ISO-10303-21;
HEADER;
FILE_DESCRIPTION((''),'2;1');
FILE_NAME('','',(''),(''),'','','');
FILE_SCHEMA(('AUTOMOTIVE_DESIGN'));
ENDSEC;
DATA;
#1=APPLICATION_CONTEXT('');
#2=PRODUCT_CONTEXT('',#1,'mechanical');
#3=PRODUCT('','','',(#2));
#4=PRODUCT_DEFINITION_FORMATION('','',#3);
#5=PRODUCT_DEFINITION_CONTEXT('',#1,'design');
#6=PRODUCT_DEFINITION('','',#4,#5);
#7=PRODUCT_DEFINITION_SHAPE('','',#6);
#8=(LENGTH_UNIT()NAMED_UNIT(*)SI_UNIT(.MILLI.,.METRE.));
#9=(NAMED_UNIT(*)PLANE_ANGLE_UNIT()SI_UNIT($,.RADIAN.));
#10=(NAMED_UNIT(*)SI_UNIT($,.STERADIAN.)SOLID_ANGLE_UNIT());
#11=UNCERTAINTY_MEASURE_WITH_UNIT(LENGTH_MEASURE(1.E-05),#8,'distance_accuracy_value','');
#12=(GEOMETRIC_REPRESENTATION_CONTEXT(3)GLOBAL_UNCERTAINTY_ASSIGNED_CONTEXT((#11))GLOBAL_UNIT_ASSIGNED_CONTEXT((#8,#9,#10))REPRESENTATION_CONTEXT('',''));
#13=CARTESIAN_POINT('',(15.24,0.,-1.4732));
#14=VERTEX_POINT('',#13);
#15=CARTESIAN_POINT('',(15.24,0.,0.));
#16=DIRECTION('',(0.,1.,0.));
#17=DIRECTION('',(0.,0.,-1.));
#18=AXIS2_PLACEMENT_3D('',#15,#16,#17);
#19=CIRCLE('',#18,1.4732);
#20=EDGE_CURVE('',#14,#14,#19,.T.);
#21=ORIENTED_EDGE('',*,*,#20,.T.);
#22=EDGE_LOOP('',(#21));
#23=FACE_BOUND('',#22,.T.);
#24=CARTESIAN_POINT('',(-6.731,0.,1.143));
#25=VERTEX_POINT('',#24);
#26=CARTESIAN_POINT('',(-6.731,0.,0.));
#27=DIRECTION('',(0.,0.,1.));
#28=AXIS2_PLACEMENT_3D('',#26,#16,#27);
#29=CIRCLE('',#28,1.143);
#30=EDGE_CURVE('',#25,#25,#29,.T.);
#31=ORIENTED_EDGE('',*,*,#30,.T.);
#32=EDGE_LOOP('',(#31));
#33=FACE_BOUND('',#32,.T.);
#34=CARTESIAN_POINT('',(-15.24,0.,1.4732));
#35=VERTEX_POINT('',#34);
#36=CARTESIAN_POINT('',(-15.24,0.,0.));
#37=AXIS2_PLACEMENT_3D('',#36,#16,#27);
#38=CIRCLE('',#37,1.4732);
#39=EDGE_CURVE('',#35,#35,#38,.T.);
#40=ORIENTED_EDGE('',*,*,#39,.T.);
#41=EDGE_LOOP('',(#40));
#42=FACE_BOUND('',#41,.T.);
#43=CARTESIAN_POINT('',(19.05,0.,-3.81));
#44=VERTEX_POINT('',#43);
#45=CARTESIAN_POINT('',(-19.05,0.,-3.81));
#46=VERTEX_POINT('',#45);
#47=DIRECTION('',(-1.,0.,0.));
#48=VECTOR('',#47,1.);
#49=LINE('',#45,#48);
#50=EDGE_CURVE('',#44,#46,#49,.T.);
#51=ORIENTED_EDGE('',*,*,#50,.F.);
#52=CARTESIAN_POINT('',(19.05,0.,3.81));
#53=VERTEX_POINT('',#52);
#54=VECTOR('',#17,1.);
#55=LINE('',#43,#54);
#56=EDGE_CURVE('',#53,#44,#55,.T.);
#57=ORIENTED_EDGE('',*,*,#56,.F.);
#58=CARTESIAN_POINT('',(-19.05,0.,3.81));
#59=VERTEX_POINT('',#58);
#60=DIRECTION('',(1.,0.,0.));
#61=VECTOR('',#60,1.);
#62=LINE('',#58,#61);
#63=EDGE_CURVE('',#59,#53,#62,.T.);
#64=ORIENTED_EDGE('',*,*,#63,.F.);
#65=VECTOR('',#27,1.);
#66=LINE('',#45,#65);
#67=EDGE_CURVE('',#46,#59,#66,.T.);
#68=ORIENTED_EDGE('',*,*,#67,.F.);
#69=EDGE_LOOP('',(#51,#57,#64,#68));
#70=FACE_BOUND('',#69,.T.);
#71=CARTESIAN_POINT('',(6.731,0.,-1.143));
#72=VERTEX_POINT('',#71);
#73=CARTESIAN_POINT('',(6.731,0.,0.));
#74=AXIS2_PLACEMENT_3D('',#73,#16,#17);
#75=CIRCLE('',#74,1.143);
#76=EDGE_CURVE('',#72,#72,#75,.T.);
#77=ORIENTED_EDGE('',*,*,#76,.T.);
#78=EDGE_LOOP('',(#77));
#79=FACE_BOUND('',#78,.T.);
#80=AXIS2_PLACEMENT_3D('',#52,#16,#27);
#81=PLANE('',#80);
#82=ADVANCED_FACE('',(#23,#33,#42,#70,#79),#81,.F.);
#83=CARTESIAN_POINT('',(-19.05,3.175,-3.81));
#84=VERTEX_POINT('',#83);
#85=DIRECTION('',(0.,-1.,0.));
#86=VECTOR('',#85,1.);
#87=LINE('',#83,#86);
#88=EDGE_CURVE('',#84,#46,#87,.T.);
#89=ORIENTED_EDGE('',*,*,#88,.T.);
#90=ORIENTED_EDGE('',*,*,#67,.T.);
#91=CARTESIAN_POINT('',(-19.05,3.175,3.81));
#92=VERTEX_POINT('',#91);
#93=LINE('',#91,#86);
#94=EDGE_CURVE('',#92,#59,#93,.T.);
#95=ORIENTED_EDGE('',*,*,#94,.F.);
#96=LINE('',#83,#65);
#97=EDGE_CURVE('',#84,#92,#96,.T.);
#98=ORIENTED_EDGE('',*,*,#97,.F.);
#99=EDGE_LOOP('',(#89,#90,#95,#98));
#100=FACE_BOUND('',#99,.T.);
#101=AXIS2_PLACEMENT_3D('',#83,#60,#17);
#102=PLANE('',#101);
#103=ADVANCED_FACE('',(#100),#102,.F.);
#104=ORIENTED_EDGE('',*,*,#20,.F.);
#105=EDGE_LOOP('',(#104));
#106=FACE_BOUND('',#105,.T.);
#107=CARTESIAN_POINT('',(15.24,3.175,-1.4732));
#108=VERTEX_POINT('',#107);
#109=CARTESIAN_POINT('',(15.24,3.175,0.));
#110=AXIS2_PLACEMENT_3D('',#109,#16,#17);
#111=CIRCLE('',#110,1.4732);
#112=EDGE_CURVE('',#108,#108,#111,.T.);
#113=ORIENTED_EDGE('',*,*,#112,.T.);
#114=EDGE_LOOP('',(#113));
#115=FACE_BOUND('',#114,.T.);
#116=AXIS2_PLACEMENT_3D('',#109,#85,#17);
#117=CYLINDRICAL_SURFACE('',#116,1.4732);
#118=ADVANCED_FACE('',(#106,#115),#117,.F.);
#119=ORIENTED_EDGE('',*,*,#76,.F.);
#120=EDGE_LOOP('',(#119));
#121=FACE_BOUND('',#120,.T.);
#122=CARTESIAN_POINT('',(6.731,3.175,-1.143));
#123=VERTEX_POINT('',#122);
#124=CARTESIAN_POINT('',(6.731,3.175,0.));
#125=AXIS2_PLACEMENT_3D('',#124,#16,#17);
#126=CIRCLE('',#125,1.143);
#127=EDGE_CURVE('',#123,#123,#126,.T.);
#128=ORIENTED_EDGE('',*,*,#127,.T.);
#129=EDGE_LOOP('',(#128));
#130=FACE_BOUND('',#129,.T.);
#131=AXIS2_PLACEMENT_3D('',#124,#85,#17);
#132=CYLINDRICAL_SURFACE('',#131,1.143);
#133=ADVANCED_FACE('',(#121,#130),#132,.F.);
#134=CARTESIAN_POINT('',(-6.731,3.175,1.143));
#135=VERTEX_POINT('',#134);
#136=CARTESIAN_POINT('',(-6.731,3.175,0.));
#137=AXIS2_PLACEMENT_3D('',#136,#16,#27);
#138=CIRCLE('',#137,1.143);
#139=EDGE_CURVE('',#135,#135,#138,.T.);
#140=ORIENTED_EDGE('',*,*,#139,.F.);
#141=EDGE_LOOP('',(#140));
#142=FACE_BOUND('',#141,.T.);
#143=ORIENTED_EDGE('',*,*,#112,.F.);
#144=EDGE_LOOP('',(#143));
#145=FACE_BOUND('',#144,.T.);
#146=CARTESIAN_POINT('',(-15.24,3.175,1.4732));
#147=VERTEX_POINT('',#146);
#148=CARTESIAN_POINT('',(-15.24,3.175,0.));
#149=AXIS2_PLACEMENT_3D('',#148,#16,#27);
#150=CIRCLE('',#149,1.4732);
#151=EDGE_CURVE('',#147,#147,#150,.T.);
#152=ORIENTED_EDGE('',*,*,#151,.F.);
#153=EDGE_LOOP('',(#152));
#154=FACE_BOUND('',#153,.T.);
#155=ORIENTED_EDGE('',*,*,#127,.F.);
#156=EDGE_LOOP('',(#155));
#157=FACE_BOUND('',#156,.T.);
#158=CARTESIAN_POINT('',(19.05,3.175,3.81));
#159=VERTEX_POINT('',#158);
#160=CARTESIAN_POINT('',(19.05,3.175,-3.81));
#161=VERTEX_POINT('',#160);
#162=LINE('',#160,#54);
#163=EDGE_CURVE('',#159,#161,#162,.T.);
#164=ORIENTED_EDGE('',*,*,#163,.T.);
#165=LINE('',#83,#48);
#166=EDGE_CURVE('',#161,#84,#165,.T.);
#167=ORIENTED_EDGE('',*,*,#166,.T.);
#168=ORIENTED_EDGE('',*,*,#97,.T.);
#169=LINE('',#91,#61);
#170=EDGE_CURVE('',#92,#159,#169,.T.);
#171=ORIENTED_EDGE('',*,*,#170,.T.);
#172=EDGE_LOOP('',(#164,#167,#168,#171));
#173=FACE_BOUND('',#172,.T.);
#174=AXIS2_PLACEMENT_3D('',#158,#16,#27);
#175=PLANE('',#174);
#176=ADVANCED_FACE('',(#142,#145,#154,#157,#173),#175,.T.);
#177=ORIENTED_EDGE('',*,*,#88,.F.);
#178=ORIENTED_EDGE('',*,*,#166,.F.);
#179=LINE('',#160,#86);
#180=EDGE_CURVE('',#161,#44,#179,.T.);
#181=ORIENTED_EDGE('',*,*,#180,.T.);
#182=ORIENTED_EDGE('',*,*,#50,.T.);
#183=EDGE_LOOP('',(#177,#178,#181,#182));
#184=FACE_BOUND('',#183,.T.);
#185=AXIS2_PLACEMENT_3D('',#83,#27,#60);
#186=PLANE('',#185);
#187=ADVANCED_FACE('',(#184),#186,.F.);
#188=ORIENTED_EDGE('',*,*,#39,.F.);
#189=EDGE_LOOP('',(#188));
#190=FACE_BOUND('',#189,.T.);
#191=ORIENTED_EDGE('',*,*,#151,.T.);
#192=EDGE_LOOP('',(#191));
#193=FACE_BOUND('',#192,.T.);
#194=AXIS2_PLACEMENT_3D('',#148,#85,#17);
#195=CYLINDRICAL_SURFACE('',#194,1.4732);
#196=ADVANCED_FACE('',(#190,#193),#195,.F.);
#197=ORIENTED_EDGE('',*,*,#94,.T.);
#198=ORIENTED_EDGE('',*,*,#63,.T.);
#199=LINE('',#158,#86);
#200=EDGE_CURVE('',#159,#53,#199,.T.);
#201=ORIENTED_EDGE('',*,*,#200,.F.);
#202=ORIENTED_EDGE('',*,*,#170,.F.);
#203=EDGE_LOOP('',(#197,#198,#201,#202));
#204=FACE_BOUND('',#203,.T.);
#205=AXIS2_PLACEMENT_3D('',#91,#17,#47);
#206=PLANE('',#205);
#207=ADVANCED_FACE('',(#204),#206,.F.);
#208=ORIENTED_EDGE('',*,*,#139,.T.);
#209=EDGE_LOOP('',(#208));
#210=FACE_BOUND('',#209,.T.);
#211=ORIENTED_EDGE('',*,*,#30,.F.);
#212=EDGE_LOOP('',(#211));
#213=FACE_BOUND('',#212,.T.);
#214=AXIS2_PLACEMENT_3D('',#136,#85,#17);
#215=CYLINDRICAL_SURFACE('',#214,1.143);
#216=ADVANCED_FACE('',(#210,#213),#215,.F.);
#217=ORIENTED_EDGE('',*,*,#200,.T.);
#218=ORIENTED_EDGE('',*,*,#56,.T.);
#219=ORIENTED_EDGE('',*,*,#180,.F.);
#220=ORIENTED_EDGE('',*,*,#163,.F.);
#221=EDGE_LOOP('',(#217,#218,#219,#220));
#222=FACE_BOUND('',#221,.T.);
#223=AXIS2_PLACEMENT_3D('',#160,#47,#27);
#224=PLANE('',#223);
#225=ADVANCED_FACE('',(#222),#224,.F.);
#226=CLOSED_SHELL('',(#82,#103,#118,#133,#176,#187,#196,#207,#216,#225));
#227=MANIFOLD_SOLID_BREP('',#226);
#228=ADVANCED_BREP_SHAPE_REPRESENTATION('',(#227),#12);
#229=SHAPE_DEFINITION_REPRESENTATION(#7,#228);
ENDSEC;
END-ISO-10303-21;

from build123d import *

# Parameters (mm, degrees)
SKETCH1_W           = 38.1
SKETCH1_H           = 7.62
SKETCH1_R           = 1.4732
SKETCH1_R_2         = 1.143
BOSS_EXTRUDE1_DEPTH = 3.175


with BuildPart() as part:
    # Sketch1 → Boss-Extrude1 (new body)
    with BuildSketch(Plane(origin=(0, 0, 0), x_dir=(1, 0, 0), z_dir=(0, 1, 0))):
        Rectangle(SKETCH1_W, SKETCH1_H)
        with Locations(Location((-15.24, 0, 0), (0, 0, 270))):
            Circle(SKETCH1_R, mode=Mode.SUBTRACT)
        with Locations(Location((-6.731, 0, 0), (0, 0, 270))):
            Circle(SKETCH1_R_2, mode=Mode.SUBTRACT)
        with Locations(Location((15.24, 0, 0), (0, 0, 90))):
            Circle(SKETCH1_R, mode=Mode.SUBTRACT)
        with Locations(Location((6.731, 0, 0), (0, 0, 90))):
            Circle(SKETCH1_R_2, mode=Mode.SUBTRACT)
    extrude(amount=BOSS_EXTRUDE1_DEPTH)


solid = part.part
